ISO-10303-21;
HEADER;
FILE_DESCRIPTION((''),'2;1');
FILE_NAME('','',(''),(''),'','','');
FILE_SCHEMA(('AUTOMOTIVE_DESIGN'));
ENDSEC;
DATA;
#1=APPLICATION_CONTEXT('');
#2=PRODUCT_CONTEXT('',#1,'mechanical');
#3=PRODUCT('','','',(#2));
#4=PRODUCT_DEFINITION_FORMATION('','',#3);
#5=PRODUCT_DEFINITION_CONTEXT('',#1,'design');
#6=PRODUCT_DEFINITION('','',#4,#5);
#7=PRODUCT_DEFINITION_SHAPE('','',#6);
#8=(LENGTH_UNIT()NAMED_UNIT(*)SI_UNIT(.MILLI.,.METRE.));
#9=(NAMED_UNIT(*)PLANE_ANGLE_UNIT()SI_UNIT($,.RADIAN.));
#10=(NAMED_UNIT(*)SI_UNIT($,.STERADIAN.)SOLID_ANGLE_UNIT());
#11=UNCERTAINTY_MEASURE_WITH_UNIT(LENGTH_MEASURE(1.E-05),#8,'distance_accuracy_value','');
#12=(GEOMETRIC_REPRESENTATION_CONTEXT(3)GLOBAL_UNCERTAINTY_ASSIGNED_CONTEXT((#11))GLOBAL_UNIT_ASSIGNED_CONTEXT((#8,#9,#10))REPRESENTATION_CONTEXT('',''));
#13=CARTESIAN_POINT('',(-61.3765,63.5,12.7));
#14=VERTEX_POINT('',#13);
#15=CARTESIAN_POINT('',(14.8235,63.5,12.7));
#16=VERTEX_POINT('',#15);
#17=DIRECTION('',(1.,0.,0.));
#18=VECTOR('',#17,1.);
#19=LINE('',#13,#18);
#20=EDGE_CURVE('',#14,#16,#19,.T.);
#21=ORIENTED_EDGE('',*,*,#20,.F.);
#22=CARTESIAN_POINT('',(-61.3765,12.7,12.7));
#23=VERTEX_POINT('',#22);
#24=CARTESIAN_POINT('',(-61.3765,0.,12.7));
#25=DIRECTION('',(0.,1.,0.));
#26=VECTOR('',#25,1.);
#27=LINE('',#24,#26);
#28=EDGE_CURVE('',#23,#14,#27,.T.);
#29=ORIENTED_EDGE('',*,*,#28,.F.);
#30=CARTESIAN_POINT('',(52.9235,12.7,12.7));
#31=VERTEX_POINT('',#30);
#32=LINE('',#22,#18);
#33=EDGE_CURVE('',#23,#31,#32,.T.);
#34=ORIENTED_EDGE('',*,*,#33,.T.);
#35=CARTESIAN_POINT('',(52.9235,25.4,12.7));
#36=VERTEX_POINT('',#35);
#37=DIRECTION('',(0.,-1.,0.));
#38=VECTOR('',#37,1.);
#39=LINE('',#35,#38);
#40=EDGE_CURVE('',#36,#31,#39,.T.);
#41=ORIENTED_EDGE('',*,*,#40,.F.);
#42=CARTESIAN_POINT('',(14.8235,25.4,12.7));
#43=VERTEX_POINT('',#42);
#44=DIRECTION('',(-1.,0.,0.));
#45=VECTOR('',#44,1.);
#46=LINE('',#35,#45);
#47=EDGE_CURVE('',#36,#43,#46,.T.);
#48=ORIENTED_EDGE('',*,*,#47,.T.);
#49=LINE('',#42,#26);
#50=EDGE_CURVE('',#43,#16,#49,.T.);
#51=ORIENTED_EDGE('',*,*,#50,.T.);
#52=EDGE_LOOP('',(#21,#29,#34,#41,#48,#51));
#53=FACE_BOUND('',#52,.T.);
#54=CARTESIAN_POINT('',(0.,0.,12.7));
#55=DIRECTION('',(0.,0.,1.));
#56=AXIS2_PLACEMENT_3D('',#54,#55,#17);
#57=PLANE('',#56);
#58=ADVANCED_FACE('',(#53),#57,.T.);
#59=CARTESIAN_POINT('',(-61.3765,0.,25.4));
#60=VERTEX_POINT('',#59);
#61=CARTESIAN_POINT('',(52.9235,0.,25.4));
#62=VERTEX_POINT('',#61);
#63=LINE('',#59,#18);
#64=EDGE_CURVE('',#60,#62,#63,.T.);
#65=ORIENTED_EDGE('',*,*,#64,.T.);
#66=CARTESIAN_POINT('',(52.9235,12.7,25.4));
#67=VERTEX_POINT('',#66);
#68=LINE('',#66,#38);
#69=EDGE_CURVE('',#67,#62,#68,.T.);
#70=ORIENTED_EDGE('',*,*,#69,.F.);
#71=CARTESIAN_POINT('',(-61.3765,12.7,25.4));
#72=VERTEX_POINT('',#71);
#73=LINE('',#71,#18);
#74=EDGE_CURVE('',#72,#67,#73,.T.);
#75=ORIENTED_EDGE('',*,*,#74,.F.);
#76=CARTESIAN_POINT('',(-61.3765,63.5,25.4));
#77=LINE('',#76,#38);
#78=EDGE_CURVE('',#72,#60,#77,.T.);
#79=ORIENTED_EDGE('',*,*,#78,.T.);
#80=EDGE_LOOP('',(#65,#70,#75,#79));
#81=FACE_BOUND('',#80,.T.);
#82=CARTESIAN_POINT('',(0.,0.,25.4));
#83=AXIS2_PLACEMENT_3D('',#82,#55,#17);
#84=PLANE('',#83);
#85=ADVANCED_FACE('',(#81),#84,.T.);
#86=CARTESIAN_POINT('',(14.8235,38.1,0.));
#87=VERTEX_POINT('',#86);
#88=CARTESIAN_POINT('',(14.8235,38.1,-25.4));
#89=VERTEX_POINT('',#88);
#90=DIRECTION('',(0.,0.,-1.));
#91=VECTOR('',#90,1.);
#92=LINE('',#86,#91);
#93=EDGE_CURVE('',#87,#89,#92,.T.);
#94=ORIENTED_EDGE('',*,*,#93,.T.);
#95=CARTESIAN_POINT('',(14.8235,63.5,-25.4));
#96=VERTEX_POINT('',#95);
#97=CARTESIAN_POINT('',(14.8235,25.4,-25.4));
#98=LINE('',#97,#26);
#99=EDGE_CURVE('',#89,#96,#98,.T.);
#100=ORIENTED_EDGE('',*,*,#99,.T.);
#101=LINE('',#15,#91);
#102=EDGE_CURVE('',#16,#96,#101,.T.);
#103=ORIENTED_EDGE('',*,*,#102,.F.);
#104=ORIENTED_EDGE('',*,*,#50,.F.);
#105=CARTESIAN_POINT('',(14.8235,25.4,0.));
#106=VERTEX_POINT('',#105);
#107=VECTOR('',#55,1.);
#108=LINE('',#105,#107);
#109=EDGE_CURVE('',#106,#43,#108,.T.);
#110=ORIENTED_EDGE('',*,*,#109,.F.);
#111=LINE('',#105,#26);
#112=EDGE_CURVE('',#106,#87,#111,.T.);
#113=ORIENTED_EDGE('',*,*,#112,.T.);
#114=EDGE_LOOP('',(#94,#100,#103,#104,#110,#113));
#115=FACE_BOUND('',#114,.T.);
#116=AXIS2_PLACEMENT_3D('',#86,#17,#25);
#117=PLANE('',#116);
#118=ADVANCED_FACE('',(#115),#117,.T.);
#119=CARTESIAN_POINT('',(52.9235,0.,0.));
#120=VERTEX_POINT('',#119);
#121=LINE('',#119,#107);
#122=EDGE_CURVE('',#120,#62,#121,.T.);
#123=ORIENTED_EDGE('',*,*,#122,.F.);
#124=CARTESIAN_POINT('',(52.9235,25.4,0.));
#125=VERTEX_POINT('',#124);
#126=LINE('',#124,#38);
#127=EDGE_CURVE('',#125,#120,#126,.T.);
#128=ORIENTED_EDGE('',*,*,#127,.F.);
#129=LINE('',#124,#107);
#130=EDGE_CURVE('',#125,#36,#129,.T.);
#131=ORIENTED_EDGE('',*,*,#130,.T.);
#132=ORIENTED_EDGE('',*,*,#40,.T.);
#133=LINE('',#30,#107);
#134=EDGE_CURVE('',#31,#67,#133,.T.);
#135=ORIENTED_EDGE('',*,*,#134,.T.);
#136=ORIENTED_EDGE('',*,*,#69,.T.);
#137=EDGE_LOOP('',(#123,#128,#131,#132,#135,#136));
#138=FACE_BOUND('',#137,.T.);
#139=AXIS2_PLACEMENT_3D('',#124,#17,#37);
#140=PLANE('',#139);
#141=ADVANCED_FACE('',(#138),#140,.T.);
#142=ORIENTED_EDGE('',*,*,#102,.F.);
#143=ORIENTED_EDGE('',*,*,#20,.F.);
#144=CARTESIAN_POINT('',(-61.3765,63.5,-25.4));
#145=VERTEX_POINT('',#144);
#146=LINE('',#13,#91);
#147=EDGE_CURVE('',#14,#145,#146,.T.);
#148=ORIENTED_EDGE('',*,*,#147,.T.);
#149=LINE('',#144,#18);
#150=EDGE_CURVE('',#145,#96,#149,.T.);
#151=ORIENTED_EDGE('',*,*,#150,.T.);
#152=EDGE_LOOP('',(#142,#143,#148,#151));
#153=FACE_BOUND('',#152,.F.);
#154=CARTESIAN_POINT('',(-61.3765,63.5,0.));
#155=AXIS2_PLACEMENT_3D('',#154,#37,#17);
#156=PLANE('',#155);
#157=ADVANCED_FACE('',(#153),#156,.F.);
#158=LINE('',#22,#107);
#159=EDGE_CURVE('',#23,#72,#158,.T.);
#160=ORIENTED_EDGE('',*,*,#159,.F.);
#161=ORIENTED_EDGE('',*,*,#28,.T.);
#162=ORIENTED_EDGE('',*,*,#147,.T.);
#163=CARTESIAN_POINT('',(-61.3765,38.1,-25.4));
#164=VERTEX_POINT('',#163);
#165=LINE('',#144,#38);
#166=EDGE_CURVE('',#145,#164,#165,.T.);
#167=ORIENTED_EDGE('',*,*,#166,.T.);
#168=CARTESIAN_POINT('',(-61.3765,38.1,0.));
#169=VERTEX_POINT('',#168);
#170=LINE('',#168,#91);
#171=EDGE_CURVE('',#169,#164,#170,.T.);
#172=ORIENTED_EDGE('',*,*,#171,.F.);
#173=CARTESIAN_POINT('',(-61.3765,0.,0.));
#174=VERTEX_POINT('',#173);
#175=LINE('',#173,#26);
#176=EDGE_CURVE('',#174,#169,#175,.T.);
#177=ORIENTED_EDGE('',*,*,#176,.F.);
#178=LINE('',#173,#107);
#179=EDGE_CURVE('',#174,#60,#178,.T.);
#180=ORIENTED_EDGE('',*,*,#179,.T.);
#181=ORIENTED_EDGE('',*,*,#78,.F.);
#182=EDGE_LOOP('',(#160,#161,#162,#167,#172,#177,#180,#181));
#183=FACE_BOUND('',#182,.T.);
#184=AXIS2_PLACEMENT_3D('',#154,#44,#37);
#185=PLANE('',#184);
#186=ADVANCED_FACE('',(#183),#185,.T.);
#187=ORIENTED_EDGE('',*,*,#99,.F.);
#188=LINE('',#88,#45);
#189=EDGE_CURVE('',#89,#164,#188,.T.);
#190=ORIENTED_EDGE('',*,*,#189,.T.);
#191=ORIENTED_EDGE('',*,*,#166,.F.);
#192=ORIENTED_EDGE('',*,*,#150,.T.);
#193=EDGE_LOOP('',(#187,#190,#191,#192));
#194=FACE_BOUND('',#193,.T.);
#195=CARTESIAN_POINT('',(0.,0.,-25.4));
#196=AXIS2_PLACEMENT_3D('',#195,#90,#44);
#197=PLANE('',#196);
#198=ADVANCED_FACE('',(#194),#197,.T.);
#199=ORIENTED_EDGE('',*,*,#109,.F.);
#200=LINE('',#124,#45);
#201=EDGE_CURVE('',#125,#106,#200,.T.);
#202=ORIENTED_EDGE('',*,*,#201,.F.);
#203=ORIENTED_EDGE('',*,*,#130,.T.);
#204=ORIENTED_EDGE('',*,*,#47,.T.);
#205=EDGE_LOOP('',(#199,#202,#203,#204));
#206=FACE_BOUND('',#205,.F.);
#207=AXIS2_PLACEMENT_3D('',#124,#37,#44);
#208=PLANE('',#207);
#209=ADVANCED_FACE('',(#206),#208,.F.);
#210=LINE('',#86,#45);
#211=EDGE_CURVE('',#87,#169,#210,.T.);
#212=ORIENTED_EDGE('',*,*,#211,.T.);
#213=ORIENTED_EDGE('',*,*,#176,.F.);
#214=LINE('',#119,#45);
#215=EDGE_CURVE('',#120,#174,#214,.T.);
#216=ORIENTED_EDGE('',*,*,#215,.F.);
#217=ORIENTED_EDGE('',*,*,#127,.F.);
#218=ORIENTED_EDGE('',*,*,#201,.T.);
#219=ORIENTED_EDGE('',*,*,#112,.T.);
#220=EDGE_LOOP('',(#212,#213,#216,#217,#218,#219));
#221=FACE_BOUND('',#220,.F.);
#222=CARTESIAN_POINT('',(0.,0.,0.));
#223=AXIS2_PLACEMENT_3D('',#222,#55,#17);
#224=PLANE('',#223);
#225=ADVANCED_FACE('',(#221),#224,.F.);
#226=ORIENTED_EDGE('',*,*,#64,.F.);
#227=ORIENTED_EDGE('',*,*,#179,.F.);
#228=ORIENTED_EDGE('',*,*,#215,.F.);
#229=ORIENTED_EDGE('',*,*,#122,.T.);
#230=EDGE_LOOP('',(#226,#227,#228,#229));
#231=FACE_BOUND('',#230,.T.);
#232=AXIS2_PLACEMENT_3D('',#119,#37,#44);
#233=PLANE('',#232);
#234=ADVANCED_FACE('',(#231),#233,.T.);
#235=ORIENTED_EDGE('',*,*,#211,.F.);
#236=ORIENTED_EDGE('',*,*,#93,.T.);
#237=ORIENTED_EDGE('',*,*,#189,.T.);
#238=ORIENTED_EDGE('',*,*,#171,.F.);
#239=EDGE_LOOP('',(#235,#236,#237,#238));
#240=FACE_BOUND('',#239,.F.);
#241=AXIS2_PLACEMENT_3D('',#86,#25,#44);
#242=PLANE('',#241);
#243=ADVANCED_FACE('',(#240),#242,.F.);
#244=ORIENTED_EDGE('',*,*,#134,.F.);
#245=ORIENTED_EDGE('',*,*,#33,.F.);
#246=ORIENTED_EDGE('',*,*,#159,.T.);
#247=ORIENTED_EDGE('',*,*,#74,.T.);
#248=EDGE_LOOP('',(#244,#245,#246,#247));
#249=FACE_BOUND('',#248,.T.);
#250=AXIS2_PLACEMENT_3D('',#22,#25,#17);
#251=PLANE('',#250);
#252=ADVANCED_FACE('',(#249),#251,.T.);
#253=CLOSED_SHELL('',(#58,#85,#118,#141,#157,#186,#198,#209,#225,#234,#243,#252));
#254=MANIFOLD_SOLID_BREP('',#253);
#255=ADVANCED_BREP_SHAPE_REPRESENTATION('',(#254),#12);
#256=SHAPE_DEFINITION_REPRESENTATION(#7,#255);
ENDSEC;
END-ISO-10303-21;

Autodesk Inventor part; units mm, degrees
ref_plane "YZ Plane" through (0, 0, 0) normal (1, 0, 0) x (0, 1, 0)
ref_plane "XZ Plane" through (0, 0, 0) normal (0, 1, 0) x (-1, 0, 0)
ref_plane "XY Plane" through (0, 0, 0) normal (0, 0, 1) x (1, 0, 0)
sketch "Sketch1" plane through (0, 0, 0) normal (0, 0, 1) x (1, 0, 0)
  line L0 (-61.3765, 63.5) -> (14.8235, 63.5)
  line L1 (52.9235, 25.4) -> (52.9235, 0)
  line L2 (52.9235, 0) -> (-61.3765, 0)
  line L3 (-61.3765, 0) -> (-61.3765, 63.5)
  line L4 (52.9235, 25.4) -> (14.8235, 25.4)
  line L5 (14.8235, 25.4) -> (14.8235, 63.5)
  point P0 (0, 0)
  dimension "d0" = 38.1
  dimension "d1" = 76.2
  dimension "d2" = 38.1
  dimension "d3" = 114.3
  dimension "d4" = 63.5
  dimension "d5" = 25.4
extrude "Extrusion1" add sketch "Sketch1" along normal blind 12.7
sketch "Sketch2" plane through (0, 0, 12.7) normal (0, 0, 1) x (1, 0, 0)
  line L0 (-61.3765, 0) -> (52.9235, 0) projected
  line L1 (-61.3765, 63.5) -> (-61.3765, 0) projected
  line L2 (52.9235, 0) -> (-61.3765, 0)
  line L3 (-61.3765, 0) -> (-61.3765, 12.7)
  line L4 (-61.3765, 12.7) -> (52.9235, 12.7)
  line L5 (52.9235, 12.7) -> (52.9235, 0)
  point P0 (0, 0)
  dimension "d8" = 12.7
extrude "Extrusion2" add sketch "Sketch2" along normal blind 12.7
sketch "Sketch3" plane through (0, 0, 0) normal (0, 0, -1) x (-1, 0, 0)
  line L0 (61.3765, 63.5) -> (61.3765, 12.7) projected
  line L1 (-14.8235, 25.4) -> (-14.8235, 63.5) projected
  line L2 (61.3765, 63.5) -> (-14.8235, 63.5)
  line L3 (-14.8235, 63.5) -> (-14.8235, 38.1)
  line L4 (-14.8235, 38.1) -> (61.3765, 38.1)
  line L5 (61.3765, 38.1) -> (61.3765, 63.5)
  point P0 (0, 0)
  dimension "d11" = 25.4
extrude "Extrusion3" add sketch "Sketch3" along normal blind 25.4
